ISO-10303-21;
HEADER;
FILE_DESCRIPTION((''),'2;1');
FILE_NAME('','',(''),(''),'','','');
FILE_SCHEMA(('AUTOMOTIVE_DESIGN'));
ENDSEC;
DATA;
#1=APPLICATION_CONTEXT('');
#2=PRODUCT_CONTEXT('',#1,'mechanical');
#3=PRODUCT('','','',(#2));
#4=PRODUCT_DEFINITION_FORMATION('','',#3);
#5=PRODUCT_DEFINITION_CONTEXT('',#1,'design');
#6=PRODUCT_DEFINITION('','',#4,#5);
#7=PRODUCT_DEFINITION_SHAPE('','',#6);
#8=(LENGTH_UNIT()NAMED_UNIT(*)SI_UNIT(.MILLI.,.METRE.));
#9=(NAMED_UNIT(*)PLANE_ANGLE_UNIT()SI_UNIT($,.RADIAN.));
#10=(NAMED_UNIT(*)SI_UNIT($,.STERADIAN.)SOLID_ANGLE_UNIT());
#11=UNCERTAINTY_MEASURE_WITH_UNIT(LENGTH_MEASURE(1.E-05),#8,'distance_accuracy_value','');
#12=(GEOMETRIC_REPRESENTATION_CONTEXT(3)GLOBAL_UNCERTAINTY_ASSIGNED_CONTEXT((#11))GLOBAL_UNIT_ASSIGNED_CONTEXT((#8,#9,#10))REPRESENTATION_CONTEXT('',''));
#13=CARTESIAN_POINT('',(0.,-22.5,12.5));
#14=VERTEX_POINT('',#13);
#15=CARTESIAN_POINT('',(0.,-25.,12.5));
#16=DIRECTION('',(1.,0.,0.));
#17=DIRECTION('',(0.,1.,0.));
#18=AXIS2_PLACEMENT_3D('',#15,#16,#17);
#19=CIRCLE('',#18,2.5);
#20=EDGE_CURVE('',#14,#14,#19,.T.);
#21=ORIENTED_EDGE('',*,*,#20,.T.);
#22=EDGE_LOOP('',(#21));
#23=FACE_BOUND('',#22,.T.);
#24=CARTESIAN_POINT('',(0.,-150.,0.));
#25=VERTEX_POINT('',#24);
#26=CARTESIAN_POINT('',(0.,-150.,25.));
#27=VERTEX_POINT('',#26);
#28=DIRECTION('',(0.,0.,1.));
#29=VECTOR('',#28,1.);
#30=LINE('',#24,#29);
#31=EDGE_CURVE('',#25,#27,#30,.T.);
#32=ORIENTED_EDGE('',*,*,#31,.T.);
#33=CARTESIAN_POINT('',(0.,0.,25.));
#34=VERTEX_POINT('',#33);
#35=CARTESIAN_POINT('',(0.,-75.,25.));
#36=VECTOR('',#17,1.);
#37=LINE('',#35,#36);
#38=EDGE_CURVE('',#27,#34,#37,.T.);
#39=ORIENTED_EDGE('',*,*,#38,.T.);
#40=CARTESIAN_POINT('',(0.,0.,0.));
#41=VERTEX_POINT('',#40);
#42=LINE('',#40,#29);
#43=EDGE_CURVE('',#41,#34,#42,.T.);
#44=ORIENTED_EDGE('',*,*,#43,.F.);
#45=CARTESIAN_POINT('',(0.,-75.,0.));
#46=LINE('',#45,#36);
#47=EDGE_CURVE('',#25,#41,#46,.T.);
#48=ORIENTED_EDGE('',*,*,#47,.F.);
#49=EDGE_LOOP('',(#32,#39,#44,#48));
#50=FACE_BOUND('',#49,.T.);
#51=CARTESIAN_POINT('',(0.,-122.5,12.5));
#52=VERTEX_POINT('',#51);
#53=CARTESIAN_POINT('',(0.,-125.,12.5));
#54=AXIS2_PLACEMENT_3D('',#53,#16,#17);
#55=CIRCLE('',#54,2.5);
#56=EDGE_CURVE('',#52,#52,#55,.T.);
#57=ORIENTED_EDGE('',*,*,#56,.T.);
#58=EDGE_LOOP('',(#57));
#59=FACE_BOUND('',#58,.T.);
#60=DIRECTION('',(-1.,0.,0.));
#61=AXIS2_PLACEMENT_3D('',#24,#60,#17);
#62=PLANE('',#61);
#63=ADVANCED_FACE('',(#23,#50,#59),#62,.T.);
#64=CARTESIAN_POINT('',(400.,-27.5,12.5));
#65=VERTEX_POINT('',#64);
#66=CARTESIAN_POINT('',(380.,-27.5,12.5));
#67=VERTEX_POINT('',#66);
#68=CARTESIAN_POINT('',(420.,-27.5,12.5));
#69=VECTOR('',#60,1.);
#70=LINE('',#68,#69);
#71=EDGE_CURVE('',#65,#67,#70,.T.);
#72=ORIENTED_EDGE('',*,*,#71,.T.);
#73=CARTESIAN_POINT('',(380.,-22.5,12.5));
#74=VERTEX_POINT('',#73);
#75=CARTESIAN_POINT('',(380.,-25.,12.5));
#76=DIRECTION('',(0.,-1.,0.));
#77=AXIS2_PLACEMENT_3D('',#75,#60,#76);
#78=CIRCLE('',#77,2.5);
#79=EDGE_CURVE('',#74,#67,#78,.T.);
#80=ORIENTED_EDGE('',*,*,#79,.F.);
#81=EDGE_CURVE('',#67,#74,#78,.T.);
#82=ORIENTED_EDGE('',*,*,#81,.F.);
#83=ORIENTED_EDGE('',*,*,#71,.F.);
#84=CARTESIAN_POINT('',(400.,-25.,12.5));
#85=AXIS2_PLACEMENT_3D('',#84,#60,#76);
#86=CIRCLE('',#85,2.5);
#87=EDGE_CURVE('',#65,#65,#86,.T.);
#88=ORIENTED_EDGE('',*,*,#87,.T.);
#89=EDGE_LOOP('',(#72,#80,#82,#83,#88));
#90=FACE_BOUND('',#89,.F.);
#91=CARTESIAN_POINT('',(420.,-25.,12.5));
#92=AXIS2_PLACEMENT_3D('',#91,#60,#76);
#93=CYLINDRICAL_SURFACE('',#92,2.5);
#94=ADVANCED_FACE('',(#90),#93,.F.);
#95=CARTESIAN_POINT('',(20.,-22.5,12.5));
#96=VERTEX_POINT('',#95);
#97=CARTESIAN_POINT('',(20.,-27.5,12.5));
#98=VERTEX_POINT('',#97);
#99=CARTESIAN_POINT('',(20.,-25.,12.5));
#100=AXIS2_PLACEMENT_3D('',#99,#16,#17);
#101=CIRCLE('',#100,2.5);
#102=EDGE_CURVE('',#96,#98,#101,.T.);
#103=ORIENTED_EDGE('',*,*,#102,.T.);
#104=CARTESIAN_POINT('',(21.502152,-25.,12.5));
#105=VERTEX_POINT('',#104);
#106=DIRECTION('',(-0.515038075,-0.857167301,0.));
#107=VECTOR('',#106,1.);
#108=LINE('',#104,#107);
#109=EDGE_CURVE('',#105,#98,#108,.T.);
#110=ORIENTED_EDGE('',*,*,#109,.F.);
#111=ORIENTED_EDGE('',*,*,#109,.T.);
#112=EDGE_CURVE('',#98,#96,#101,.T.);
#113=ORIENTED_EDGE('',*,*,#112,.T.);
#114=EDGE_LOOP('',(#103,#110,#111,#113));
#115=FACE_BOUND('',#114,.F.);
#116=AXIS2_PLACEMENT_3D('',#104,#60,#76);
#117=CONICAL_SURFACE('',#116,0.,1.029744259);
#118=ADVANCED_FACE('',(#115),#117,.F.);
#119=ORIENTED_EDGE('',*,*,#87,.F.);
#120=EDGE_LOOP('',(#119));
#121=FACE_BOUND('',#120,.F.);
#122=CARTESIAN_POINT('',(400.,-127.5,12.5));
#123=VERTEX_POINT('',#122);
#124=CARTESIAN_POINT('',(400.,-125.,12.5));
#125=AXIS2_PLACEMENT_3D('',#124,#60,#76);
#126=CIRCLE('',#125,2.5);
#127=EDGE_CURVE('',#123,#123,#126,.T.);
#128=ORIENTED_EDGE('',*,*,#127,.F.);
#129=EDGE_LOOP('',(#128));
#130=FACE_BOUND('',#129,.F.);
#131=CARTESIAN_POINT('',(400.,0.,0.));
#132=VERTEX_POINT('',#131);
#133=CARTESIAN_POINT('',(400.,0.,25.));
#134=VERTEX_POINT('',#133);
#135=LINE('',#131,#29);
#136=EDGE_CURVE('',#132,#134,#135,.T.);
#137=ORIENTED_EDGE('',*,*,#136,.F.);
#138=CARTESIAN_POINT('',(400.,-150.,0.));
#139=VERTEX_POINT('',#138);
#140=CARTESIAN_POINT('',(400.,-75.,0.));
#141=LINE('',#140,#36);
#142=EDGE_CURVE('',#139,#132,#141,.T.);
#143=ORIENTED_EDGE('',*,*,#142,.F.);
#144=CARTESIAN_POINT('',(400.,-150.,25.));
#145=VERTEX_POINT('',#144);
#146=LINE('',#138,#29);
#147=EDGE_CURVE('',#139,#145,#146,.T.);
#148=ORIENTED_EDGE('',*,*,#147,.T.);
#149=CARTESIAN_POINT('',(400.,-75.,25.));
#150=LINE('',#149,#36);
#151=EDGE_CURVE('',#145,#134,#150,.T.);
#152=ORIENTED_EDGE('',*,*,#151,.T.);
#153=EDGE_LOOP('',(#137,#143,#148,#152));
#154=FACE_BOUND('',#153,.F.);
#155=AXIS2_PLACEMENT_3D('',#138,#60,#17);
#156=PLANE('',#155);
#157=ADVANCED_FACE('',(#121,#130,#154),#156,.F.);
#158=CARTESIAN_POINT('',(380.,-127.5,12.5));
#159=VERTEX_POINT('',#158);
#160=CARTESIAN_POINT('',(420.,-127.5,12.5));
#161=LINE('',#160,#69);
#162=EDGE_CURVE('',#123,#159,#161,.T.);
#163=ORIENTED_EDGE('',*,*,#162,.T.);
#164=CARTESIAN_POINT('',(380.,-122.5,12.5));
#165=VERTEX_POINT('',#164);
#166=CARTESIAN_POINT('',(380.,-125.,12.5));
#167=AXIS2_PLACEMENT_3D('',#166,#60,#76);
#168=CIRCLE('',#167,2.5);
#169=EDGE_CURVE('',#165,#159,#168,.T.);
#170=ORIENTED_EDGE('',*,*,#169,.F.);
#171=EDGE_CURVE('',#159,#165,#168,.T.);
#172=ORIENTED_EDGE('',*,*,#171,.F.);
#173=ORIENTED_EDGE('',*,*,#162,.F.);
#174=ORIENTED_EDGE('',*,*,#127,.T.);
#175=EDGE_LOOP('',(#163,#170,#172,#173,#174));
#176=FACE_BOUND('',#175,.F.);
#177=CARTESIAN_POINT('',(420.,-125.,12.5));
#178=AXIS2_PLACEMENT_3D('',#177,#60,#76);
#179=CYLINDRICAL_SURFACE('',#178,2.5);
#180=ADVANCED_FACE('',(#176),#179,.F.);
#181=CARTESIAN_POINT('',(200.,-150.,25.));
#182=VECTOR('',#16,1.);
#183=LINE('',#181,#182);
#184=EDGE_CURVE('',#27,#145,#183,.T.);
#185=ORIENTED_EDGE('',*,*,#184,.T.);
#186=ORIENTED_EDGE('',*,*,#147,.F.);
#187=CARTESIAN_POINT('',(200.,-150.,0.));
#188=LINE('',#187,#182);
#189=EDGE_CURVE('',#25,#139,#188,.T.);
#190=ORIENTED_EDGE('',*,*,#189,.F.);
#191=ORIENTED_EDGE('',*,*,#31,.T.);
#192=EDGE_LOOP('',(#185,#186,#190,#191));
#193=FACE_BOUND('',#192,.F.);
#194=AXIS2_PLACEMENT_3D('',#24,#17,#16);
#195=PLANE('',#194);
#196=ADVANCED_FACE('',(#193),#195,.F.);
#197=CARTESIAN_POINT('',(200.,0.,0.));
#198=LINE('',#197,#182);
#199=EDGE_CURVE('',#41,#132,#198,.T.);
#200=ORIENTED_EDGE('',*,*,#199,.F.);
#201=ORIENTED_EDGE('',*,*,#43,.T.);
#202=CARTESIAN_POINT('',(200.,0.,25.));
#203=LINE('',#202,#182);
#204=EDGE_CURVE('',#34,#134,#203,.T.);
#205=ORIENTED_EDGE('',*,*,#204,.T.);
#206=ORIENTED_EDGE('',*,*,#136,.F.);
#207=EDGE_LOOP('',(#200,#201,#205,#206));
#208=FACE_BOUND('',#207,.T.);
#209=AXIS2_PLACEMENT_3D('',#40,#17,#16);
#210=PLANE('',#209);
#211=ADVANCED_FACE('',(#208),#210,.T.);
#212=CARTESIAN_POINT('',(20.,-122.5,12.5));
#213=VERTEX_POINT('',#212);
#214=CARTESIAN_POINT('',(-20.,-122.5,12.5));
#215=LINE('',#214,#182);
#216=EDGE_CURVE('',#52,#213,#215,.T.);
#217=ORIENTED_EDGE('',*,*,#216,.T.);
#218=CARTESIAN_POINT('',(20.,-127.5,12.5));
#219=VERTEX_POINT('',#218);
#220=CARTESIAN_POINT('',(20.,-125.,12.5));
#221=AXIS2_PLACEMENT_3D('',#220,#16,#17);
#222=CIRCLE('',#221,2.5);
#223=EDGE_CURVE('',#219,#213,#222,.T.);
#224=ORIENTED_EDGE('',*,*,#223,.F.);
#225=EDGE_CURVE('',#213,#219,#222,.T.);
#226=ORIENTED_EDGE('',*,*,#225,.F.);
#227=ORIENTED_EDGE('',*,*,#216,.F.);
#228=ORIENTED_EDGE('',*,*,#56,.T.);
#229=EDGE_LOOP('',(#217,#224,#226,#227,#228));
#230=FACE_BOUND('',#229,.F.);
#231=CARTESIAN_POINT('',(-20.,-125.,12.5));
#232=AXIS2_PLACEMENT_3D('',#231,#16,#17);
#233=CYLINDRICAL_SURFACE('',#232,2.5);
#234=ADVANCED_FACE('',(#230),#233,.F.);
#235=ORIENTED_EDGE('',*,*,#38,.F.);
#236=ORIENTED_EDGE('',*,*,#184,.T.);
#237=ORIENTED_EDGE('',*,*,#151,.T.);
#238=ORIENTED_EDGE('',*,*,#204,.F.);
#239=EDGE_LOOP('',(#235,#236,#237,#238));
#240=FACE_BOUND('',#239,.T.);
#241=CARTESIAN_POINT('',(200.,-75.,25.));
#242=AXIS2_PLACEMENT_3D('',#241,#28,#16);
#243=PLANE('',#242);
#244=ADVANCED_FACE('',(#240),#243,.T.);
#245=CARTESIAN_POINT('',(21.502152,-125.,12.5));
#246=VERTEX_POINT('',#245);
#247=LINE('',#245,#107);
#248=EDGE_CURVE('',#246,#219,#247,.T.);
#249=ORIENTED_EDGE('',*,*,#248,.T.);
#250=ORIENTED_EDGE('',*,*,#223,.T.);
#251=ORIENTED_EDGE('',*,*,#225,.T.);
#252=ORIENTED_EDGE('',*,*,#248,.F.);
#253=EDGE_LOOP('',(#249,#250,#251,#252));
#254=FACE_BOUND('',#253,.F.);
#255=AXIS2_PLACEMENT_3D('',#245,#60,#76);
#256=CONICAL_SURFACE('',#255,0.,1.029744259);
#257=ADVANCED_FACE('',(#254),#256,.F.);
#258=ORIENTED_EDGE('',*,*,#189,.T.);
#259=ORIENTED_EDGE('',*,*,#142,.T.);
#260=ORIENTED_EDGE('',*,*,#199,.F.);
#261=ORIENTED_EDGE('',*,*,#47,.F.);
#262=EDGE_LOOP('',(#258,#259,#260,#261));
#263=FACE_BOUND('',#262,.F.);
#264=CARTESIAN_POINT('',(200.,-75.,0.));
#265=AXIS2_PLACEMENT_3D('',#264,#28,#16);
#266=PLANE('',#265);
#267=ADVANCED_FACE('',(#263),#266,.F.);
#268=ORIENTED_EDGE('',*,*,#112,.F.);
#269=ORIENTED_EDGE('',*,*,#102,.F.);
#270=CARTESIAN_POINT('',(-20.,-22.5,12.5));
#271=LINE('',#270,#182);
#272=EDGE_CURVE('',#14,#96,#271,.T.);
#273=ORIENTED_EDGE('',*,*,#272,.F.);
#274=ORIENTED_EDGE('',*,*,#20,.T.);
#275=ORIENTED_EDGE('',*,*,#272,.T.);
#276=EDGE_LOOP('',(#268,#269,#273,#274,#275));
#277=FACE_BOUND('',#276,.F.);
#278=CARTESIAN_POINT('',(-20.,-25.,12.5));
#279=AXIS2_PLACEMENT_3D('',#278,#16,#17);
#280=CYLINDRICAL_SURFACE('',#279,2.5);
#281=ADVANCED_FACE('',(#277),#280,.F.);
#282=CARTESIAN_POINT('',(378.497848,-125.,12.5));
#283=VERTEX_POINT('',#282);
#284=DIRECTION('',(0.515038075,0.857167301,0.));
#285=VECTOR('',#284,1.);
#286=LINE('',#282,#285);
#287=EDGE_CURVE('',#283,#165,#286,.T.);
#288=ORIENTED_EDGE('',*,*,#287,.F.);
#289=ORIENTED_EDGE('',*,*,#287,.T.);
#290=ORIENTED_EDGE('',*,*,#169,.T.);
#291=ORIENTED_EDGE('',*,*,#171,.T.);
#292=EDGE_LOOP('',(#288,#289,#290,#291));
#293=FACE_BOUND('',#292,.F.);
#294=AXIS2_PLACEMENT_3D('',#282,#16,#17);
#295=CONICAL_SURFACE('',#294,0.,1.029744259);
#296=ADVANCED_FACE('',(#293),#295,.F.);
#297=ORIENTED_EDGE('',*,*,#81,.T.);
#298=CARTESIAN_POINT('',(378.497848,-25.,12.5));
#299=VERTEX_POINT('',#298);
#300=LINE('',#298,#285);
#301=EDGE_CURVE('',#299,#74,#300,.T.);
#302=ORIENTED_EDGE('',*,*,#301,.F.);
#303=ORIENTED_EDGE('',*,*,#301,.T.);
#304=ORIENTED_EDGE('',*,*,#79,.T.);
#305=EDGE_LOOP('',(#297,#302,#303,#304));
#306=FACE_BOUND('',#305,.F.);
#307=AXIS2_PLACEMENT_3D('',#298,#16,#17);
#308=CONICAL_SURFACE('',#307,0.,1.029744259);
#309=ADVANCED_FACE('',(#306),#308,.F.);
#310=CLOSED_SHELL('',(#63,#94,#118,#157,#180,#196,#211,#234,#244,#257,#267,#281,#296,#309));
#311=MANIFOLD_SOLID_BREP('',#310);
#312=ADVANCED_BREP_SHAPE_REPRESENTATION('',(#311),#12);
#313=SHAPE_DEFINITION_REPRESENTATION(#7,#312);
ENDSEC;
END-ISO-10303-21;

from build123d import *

# Parameters (mm, degrees)
F0_W     = 400
F0_H     = 150
F1_DEPTH = 25
F3_D     = 5
F3_DEPTH = 20
F3_TIP   = 1.5021515476
F5_D     = 5
F5_DEPTH = 20
F5_TIP   = 1.5021515476


with BuildPart() as f1:
    # F0 (on Top) → F1 (new body)
    with BuildSketch(Plane.XY):
        with Locations((200, -75)):
            Rectangle(F0_W, F0_H)
    extrude(amount=F1_DEPTH)

    # F3
    with Locations(Plane(origin=(0, 0, 0), x_dir=(0, -1, 0), z_dir=(-1, 0, 0))):
        with Locations((25, 12.5), (125, 12.5)):
            Hole(F3_D / 2, depth=F3_DEPTH)
            with Locations((0, 0, -(F3_DEPTH + F3_TIP / 2))):  # 118° drill point
                Cone(0, F3_D / 2, F3_TIP, mode=Mode.SUBTRACT)

    # F5
    with Locations(Plane.YZ.offset(400)):
        with Locations((-125, 12.5), (-25, 12.5)):
            Hole(F5_D / 2, depth=F5_DEPTH)
            with Locations((0, 0, -(F5_DEPTH + F5_TIP / 2))):  # 118° drill point
                Cone(0, F5_D / 2, F5_TIP, mode=Mode.SUBTRACT)


solid = f1.part
